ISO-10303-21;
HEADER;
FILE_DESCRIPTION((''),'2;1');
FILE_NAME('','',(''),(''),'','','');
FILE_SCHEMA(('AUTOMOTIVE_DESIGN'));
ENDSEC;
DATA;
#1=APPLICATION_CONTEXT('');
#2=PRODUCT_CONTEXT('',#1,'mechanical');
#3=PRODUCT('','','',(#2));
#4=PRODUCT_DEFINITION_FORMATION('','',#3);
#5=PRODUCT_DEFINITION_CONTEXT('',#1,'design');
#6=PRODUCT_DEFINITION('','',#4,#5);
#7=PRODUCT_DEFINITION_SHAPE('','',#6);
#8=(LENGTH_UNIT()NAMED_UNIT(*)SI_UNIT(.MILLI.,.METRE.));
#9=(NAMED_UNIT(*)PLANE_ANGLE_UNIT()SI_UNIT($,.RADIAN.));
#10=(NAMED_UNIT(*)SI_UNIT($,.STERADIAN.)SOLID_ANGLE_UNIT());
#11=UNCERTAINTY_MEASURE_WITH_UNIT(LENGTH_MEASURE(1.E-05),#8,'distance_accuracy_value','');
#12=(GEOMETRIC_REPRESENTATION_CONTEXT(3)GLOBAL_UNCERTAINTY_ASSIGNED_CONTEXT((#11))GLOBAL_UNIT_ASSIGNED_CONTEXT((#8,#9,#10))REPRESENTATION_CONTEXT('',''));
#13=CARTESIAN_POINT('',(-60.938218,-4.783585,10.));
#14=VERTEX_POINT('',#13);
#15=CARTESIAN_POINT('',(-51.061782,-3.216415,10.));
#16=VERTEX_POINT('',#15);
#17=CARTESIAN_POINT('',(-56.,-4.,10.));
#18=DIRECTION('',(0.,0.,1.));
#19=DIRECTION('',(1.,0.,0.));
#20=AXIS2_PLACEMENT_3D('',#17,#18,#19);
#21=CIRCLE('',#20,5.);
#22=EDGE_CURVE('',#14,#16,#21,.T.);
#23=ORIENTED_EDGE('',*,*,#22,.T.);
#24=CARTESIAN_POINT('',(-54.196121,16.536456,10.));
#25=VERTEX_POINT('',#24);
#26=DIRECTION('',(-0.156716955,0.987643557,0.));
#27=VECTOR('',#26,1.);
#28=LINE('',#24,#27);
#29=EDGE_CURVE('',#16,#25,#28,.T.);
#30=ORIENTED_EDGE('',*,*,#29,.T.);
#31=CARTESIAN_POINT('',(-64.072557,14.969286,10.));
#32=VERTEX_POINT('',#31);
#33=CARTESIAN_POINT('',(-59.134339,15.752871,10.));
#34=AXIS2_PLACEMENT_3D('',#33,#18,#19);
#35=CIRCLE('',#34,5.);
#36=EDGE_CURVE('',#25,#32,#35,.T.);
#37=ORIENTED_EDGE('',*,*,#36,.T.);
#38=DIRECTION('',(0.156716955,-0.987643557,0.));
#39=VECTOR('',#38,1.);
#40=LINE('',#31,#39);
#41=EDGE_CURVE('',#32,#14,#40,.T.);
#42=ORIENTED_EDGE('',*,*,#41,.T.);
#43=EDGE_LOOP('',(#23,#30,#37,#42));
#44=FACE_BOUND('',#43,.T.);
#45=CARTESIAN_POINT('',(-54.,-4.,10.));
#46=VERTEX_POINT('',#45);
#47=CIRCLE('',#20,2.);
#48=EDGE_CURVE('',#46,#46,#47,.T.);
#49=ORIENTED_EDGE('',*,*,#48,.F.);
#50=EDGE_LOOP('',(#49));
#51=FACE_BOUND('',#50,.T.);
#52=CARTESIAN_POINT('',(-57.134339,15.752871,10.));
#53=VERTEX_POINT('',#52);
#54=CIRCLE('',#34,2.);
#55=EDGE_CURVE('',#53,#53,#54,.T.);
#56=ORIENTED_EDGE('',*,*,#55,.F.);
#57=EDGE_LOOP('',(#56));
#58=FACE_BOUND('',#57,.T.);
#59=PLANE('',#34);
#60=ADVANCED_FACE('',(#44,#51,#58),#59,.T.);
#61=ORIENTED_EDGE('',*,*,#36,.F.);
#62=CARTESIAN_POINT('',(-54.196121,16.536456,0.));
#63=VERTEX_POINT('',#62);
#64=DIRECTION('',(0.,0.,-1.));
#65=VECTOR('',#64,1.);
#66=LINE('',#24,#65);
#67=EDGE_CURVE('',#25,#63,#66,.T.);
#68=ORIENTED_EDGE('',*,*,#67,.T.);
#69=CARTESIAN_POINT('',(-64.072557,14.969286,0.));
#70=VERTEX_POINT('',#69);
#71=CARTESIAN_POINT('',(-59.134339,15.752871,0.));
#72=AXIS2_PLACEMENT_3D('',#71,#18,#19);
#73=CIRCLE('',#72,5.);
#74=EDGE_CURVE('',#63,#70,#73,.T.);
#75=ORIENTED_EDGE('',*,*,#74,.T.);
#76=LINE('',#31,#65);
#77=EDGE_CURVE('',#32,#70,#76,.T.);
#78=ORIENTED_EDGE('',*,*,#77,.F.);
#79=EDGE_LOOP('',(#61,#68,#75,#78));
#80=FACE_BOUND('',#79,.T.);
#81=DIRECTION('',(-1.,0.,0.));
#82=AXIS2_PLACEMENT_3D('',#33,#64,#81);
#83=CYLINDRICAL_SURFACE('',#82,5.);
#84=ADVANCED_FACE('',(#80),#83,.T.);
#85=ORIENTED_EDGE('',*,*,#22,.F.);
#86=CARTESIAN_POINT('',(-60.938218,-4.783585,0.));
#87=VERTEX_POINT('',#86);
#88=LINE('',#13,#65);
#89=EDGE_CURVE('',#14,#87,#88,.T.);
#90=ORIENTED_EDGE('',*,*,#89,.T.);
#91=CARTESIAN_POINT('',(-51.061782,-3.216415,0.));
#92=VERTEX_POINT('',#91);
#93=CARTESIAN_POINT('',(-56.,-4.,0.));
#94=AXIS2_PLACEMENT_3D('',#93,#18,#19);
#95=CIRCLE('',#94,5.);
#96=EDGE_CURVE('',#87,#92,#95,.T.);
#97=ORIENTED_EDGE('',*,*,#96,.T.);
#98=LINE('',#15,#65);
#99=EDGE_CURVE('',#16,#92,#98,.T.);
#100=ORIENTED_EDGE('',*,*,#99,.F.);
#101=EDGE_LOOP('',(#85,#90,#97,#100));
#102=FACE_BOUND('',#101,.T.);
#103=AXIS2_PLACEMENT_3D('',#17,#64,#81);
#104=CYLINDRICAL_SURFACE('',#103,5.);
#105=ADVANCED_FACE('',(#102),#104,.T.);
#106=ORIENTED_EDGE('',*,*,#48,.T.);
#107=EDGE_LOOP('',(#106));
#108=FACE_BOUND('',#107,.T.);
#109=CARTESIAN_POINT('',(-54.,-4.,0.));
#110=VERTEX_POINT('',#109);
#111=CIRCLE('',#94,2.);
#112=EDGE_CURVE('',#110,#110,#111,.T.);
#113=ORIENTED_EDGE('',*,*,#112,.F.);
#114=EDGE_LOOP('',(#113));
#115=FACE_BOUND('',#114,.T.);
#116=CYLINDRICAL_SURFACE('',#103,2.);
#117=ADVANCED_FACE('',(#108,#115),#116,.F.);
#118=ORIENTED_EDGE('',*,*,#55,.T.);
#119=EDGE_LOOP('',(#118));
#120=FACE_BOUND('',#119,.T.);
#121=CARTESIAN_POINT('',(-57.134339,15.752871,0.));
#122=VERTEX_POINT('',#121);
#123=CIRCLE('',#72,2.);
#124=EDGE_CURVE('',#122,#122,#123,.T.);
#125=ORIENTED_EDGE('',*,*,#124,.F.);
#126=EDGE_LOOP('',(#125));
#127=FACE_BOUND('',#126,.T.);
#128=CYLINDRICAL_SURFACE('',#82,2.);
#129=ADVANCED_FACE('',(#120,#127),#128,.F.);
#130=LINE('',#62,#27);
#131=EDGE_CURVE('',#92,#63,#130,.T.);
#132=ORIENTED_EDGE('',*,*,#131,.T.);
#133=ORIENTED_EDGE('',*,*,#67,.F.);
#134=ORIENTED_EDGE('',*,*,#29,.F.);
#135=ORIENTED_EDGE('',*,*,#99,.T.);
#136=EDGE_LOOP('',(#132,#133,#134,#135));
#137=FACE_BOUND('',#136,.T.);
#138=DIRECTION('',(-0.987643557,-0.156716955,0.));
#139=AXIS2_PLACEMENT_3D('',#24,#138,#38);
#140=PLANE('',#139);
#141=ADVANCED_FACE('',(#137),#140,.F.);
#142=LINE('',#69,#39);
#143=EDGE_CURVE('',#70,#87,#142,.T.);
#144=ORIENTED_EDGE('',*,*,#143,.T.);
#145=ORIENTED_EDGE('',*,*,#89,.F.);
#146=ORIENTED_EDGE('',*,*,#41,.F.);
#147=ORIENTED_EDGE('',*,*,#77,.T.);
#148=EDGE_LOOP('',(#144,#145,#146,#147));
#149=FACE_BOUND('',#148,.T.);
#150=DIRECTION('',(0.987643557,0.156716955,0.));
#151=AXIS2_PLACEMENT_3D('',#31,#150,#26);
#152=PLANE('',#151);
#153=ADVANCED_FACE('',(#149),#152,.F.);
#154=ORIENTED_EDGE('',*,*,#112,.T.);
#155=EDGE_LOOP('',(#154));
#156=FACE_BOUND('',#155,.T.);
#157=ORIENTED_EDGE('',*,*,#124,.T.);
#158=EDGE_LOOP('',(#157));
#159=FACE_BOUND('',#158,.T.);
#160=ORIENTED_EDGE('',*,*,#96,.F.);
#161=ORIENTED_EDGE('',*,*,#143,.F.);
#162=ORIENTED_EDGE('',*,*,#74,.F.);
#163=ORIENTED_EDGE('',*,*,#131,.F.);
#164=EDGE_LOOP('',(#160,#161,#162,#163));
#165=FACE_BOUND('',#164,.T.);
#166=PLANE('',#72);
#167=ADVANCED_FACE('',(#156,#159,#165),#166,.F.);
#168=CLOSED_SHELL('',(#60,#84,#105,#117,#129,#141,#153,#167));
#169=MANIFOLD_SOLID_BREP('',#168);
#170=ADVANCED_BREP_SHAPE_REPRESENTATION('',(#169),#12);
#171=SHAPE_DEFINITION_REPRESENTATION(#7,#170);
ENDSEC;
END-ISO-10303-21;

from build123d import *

# Parameters (mm, degrees)
SKETCH1_R           = 2
BOSS_EXTRUDE1_DEPTH = 10


with BuildPart() as part:
    # Sketch1 → Boss-Extrude1 (new body)
    with BuildSketch(Plane.XY):
        with BuildLine():
            Line((-64.072556879, 14.969286371), (-60.938217786, -4.783584773))
            ThreePointArc((-60.938217786, -4.783584773), (-55.216415227, -8.938217786), (-51.061782214, -3.216415227))
            Line((-51.061782214, -3.216415227), (-54.196121307, 16.536455918))
            ThreePointArc((-54.196121307, 16.536455918), (-59.917923866, 20.691088931), (-64.072556879, 14.969286371))
        make_face()
        with Locations((-59.134339093, 15.752871145)):
            Circle(SKETCH1_R, mode=Mode.SUBTRACT)
        with Locations((-56, -4)):
            Circle(SKETCH1_R, mode=Mode.SUBTRACT)
    extrude(amount=BOSS_EXTRUDE1_DEPTH)


solid = part.part
